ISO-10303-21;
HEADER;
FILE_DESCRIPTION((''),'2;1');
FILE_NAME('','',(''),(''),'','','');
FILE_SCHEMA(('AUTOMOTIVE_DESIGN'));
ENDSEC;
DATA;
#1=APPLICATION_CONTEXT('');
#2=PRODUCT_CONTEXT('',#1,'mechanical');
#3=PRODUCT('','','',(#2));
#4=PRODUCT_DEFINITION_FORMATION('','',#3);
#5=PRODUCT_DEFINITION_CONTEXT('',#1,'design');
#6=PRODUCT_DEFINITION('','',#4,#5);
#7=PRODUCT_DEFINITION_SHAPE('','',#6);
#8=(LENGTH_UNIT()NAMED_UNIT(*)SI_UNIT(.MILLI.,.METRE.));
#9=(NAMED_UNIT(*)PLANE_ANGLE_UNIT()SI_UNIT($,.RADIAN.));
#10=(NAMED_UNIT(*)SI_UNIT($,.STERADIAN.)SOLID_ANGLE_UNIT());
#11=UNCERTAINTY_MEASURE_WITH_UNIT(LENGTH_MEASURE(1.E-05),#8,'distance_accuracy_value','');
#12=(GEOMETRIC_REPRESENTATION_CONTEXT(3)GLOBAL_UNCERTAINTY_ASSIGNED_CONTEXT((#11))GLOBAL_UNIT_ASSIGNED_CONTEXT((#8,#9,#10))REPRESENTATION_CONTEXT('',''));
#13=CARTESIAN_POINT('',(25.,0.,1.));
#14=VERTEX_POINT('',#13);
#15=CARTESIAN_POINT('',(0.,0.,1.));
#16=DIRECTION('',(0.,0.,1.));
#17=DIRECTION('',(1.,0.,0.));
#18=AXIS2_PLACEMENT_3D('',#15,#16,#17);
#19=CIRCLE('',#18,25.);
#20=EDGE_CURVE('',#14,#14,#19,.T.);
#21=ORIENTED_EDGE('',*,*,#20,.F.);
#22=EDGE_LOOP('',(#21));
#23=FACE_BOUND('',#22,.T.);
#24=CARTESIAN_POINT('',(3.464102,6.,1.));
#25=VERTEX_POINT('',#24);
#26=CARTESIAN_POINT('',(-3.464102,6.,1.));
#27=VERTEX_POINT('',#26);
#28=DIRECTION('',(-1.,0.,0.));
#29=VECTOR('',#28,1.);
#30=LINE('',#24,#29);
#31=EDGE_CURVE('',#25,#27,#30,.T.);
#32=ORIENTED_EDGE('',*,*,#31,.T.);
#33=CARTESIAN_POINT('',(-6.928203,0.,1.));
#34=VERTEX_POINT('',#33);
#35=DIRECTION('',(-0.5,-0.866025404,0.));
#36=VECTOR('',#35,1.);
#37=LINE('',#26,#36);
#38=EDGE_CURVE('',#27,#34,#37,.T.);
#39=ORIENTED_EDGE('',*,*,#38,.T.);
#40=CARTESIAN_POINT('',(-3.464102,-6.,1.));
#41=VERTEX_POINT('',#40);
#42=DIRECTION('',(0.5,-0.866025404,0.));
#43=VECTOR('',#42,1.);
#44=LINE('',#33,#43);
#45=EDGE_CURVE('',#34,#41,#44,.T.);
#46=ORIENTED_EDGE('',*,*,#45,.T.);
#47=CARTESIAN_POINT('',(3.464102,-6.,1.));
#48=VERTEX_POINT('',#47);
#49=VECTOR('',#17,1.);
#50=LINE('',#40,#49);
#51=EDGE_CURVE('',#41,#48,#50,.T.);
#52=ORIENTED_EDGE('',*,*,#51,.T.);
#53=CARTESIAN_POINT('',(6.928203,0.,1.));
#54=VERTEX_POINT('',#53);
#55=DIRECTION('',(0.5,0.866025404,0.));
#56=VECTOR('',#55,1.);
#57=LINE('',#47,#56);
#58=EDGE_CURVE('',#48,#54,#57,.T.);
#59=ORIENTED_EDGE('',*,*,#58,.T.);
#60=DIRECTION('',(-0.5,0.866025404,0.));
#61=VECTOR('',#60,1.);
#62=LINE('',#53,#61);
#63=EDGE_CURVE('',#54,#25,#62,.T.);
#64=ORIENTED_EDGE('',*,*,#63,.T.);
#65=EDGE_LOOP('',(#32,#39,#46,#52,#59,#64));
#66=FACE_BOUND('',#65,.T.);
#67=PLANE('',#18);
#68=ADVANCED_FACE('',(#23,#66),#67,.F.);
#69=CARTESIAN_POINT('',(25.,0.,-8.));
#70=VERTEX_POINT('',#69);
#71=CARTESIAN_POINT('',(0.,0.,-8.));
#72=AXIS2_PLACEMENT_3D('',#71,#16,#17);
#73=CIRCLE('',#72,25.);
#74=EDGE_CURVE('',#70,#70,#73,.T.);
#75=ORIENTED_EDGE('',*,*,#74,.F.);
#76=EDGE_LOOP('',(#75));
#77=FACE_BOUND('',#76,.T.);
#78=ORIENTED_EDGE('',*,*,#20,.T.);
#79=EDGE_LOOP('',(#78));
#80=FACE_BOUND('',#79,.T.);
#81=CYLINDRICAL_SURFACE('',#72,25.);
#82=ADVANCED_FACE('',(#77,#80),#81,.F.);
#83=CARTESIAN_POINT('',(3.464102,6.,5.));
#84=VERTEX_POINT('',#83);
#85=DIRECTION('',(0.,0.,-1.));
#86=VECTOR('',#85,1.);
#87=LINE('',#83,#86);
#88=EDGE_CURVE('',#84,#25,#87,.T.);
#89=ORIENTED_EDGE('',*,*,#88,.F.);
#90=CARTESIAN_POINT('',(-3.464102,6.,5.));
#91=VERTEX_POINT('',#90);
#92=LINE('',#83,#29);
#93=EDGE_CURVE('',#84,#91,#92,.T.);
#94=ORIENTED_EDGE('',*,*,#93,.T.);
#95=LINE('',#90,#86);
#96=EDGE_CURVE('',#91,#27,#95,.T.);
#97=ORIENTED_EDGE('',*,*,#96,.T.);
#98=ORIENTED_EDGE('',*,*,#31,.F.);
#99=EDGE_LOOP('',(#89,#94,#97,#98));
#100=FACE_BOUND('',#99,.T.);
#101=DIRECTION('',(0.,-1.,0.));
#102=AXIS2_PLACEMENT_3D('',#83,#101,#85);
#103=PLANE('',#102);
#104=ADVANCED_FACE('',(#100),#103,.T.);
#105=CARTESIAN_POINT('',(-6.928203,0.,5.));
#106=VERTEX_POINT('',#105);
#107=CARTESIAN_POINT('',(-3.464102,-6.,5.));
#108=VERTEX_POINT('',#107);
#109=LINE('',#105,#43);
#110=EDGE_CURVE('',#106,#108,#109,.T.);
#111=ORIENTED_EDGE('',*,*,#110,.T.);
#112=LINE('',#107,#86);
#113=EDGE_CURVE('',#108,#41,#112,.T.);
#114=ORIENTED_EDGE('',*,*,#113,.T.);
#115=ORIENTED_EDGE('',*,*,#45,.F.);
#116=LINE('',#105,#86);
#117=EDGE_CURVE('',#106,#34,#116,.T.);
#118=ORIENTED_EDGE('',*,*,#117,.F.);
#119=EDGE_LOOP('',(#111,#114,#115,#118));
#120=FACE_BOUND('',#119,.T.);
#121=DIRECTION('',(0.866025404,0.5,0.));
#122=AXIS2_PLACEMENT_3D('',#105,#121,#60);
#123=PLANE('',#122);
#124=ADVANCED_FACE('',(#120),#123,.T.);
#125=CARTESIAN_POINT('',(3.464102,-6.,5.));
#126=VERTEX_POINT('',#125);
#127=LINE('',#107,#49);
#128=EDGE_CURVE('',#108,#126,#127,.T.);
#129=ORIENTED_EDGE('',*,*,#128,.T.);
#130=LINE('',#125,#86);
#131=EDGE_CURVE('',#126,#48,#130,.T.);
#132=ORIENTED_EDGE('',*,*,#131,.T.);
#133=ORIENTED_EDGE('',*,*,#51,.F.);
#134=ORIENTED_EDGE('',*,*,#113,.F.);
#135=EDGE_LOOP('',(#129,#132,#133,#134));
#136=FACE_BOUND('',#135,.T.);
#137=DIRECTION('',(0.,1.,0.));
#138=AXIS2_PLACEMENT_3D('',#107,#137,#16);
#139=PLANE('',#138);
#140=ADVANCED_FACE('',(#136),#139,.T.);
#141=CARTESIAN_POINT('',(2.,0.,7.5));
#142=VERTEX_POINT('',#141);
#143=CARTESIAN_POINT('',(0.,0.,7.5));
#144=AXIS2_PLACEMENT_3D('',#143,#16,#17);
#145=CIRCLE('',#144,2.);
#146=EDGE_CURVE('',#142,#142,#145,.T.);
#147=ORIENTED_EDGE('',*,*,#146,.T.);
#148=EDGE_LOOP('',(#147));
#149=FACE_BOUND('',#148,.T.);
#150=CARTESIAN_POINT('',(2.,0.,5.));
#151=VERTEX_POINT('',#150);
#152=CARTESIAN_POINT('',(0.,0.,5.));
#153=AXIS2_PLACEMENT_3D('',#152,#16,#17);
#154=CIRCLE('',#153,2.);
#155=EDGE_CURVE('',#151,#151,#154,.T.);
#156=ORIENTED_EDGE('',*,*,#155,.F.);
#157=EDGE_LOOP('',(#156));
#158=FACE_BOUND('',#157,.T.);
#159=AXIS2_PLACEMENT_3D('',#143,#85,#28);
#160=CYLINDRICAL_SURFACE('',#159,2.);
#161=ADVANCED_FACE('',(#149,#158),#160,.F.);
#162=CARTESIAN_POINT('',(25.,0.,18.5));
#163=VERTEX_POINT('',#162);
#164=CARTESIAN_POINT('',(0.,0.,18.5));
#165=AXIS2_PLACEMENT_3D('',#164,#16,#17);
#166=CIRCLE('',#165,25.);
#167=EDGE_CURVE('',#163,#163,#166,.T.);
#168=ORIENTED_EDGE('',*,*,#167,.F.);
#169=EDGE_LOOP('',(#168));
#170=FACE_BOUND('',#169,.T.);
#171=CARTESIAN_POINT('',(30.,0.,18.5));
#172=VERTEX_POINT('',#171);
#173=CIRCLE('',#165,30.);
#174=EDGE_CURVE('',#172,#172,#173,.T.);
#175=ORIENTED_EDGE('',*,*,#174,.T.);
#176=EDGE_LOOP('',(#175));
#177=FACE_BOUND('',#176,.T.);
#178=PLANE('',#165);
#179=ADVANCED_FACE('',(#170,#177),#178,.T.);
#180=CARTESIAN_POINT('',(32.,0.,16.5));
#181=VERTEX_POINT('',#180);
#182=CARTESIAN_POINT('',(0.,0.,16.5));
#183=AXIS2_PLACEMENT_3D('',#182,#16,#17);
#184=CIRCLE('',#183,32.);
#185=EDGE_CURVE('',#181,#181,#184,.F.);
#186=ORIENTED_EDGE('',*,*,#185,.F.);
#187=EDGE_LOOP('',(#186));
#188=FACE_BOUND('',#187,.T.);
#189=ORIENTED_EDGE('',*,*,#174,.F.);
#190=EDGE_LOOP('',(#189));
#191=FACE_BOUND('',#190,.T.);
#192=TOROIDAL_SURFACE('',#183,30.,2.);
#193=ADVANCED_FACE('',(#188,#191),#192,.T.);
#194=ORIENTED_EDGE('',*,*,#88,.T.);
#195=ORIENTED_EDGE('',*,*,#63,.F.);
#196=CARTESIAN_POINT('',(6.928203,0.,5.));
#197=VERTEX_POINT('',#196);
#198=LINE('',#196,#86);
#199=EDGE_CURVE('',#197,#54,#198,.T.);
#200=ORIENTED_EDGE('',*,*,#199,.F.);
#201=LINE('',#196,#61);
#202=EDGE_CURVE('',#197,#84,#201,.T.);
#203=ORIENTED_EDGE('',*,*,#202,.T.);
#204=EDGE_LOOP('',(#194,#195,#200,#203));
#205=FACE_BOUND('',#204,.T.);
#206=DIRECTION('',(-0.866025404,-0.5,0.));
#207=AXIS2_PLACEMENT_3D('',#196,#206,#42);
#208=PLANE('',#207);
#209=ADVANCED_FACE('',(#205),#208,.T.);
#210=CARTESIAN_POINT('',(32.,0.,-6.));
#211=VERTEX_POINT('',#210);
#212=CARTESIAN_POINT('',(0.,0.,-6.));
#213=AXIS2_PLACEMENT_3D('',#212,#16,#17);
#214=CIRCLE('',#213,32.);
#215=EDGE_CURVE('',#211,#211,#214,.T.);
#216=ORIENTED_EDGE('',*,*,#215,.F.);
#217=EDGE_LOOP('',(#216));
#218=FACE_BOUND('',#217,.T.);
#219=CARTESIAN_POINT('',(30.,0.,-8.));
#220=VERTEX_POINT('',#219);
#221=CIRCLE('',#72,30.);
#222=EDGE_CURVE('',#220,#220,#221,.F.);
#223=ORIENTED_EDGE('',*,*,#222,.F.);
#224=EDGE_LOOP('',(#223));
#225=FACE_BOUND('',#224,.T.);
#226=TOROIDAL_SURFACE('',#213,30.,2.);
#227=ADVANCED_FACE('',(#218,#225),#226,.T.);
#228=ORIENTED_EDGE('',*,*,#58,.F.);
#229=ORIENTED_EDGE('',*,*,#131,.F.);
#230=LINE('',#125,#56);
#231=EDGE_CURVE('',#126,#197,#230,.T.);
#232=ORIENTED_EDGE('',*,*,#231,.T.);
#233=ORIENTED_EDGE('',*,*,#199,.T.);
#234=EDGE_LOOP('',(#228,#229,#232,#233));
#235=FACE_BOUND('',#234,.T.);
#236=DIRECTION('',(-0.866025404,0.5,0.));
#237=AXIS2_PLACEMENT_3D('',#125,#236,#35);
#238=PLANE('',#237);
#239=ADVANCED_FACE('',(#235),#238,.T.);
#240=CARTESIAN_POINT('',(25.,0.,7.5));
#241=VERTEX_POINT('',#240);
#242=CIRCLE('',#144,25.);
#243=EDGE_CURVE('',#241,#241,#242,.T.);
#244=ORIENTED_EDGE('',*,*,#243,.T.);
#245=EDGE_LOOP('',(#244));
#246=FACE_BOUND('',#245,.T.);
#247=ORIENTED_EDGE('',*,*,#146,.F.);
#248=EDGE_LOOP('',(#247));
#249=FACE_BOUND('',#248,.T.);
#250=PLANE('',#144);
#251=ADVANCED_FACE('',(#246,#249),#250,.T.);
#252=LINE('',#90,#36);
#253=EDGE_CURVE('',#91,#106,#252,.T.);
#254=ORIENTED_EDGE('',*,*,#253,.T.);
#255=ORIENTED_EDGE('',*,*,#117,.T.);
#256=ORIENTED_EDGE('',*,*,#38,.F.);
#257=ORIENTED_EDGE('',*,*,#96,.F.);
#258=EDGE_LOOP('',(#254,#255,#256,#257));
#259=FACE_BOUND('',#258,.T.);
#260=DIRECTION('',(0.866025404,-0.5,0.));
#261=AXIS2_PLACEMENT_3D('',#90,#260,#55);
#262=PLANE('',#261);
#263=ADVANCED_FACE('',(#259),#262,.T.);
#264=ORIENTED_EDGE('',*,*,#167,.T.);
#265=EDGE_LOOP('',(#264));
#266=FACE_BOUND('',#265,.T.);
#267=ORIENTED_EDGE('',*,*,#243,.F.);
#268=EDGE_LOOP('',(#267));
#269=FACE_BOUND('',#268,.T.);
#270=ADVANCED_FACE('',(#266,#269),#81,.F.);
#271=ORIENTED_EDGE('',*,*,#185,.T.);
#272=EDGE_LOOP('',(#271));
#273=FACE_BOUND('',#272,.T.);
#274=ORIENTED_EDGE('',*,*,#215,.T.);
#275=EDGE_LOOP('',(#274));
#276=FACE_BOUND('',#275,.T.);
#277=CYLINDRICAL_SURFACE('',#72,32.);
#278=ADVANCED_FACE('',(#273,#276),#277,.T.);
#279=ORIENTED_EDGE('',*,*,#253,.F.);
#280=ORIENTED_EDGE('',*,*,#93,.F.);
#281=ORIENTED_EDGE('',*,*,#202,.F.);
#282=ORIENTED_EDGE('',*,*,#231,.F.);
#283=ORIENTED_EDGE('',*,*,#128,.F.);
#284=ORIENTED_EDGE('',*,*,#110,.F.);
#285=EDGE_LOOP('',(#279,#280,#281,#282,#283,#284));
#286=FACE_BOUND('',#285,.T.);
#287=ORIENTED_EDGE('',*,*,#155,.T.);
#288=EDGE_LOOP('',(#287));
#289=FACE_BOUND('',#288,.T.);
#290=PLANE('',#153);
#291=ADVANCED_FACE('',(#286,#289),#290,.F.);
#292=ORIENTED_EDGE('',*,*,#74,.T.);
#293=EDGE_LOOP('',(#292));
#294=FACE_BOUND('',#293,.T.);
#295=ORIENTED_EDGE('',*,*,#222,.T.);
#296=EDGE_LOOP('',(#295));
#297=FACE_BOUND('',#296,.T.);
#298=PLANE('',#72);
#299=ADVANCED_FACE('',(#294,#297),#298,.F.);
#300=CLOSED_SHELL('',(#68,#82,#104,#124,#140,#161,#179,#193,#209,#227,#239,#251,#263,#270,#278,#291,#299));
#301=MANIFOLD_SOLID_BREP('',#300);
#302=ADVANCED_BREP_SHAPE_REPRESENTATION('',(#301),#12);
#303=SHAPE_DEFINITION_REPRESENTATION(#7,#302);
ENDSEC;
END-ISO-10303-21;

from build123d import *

# Parameters (mm, degrees)
EXTRUDE_START   = 1
SKETCH_1_R      = 25
EXTRUDE_1_DEPTH = 4
SKETCH_4_R      = 25
SKETCH_4_R_2    = 2
EXTRUDE_3_DEPTH = 2.5
EXTRUDE_START_2 = -15.5
SKETCH_6_R      = 32
SKETCH_6_R_2    = 25
EXTRUDE_4_DEPTH = 26.5
FILLET_1_R      = 2


with BuildPart() as part:
    # 草图1 → 凸台-拉伸1 (new body)
    with BuildSketch(Plane.XY.offset(EXTRUDE_START)):
        Circle(SKETCH_1_R)
        Polygon((3.464101615, 6), (-3.464101615, 6), (-6.92820323, 0), (-3.464101615, -6), (3.464101615, -6), (6.92820323, 0), align=None, mode=Mode.SUBTRACT)
    extrude(amount=EXTRUDE_1_DEPTH)

    # 草图4 → 凸台-拉伸3 (add)
    with BuildSketch(Plane.XY.offset(5)):
        Circle(SKETCH_4_R)
        Circle(SKETCH_4_R_2, mode=Mode.SUBTRACT)
    extrude(amount=EXTRUDE_3_DEPTH)

    # 草图6 → 凸台-拉伸4 (add)
    with BuildSketch(Plane.XY.offset(7.5).offset(EXTRUDE_START_2)):
        Circle(SKETCH_6_R)
        Circle(SKETCH_6_R_2, mode=Mode.SUBTRACT)
    extrude(amount=EXTRUDE_4_DEPTH)

    # 圆角1
    fillet_1_edges = [part.edges().sort_by_distance(p)[0] for p in [
        (-32, 0, -8),
        (-32, 0, 18.5),
    ]]
    fillet(fillet_1_edges, radius=FILLET_1_R)


solid = part.part
